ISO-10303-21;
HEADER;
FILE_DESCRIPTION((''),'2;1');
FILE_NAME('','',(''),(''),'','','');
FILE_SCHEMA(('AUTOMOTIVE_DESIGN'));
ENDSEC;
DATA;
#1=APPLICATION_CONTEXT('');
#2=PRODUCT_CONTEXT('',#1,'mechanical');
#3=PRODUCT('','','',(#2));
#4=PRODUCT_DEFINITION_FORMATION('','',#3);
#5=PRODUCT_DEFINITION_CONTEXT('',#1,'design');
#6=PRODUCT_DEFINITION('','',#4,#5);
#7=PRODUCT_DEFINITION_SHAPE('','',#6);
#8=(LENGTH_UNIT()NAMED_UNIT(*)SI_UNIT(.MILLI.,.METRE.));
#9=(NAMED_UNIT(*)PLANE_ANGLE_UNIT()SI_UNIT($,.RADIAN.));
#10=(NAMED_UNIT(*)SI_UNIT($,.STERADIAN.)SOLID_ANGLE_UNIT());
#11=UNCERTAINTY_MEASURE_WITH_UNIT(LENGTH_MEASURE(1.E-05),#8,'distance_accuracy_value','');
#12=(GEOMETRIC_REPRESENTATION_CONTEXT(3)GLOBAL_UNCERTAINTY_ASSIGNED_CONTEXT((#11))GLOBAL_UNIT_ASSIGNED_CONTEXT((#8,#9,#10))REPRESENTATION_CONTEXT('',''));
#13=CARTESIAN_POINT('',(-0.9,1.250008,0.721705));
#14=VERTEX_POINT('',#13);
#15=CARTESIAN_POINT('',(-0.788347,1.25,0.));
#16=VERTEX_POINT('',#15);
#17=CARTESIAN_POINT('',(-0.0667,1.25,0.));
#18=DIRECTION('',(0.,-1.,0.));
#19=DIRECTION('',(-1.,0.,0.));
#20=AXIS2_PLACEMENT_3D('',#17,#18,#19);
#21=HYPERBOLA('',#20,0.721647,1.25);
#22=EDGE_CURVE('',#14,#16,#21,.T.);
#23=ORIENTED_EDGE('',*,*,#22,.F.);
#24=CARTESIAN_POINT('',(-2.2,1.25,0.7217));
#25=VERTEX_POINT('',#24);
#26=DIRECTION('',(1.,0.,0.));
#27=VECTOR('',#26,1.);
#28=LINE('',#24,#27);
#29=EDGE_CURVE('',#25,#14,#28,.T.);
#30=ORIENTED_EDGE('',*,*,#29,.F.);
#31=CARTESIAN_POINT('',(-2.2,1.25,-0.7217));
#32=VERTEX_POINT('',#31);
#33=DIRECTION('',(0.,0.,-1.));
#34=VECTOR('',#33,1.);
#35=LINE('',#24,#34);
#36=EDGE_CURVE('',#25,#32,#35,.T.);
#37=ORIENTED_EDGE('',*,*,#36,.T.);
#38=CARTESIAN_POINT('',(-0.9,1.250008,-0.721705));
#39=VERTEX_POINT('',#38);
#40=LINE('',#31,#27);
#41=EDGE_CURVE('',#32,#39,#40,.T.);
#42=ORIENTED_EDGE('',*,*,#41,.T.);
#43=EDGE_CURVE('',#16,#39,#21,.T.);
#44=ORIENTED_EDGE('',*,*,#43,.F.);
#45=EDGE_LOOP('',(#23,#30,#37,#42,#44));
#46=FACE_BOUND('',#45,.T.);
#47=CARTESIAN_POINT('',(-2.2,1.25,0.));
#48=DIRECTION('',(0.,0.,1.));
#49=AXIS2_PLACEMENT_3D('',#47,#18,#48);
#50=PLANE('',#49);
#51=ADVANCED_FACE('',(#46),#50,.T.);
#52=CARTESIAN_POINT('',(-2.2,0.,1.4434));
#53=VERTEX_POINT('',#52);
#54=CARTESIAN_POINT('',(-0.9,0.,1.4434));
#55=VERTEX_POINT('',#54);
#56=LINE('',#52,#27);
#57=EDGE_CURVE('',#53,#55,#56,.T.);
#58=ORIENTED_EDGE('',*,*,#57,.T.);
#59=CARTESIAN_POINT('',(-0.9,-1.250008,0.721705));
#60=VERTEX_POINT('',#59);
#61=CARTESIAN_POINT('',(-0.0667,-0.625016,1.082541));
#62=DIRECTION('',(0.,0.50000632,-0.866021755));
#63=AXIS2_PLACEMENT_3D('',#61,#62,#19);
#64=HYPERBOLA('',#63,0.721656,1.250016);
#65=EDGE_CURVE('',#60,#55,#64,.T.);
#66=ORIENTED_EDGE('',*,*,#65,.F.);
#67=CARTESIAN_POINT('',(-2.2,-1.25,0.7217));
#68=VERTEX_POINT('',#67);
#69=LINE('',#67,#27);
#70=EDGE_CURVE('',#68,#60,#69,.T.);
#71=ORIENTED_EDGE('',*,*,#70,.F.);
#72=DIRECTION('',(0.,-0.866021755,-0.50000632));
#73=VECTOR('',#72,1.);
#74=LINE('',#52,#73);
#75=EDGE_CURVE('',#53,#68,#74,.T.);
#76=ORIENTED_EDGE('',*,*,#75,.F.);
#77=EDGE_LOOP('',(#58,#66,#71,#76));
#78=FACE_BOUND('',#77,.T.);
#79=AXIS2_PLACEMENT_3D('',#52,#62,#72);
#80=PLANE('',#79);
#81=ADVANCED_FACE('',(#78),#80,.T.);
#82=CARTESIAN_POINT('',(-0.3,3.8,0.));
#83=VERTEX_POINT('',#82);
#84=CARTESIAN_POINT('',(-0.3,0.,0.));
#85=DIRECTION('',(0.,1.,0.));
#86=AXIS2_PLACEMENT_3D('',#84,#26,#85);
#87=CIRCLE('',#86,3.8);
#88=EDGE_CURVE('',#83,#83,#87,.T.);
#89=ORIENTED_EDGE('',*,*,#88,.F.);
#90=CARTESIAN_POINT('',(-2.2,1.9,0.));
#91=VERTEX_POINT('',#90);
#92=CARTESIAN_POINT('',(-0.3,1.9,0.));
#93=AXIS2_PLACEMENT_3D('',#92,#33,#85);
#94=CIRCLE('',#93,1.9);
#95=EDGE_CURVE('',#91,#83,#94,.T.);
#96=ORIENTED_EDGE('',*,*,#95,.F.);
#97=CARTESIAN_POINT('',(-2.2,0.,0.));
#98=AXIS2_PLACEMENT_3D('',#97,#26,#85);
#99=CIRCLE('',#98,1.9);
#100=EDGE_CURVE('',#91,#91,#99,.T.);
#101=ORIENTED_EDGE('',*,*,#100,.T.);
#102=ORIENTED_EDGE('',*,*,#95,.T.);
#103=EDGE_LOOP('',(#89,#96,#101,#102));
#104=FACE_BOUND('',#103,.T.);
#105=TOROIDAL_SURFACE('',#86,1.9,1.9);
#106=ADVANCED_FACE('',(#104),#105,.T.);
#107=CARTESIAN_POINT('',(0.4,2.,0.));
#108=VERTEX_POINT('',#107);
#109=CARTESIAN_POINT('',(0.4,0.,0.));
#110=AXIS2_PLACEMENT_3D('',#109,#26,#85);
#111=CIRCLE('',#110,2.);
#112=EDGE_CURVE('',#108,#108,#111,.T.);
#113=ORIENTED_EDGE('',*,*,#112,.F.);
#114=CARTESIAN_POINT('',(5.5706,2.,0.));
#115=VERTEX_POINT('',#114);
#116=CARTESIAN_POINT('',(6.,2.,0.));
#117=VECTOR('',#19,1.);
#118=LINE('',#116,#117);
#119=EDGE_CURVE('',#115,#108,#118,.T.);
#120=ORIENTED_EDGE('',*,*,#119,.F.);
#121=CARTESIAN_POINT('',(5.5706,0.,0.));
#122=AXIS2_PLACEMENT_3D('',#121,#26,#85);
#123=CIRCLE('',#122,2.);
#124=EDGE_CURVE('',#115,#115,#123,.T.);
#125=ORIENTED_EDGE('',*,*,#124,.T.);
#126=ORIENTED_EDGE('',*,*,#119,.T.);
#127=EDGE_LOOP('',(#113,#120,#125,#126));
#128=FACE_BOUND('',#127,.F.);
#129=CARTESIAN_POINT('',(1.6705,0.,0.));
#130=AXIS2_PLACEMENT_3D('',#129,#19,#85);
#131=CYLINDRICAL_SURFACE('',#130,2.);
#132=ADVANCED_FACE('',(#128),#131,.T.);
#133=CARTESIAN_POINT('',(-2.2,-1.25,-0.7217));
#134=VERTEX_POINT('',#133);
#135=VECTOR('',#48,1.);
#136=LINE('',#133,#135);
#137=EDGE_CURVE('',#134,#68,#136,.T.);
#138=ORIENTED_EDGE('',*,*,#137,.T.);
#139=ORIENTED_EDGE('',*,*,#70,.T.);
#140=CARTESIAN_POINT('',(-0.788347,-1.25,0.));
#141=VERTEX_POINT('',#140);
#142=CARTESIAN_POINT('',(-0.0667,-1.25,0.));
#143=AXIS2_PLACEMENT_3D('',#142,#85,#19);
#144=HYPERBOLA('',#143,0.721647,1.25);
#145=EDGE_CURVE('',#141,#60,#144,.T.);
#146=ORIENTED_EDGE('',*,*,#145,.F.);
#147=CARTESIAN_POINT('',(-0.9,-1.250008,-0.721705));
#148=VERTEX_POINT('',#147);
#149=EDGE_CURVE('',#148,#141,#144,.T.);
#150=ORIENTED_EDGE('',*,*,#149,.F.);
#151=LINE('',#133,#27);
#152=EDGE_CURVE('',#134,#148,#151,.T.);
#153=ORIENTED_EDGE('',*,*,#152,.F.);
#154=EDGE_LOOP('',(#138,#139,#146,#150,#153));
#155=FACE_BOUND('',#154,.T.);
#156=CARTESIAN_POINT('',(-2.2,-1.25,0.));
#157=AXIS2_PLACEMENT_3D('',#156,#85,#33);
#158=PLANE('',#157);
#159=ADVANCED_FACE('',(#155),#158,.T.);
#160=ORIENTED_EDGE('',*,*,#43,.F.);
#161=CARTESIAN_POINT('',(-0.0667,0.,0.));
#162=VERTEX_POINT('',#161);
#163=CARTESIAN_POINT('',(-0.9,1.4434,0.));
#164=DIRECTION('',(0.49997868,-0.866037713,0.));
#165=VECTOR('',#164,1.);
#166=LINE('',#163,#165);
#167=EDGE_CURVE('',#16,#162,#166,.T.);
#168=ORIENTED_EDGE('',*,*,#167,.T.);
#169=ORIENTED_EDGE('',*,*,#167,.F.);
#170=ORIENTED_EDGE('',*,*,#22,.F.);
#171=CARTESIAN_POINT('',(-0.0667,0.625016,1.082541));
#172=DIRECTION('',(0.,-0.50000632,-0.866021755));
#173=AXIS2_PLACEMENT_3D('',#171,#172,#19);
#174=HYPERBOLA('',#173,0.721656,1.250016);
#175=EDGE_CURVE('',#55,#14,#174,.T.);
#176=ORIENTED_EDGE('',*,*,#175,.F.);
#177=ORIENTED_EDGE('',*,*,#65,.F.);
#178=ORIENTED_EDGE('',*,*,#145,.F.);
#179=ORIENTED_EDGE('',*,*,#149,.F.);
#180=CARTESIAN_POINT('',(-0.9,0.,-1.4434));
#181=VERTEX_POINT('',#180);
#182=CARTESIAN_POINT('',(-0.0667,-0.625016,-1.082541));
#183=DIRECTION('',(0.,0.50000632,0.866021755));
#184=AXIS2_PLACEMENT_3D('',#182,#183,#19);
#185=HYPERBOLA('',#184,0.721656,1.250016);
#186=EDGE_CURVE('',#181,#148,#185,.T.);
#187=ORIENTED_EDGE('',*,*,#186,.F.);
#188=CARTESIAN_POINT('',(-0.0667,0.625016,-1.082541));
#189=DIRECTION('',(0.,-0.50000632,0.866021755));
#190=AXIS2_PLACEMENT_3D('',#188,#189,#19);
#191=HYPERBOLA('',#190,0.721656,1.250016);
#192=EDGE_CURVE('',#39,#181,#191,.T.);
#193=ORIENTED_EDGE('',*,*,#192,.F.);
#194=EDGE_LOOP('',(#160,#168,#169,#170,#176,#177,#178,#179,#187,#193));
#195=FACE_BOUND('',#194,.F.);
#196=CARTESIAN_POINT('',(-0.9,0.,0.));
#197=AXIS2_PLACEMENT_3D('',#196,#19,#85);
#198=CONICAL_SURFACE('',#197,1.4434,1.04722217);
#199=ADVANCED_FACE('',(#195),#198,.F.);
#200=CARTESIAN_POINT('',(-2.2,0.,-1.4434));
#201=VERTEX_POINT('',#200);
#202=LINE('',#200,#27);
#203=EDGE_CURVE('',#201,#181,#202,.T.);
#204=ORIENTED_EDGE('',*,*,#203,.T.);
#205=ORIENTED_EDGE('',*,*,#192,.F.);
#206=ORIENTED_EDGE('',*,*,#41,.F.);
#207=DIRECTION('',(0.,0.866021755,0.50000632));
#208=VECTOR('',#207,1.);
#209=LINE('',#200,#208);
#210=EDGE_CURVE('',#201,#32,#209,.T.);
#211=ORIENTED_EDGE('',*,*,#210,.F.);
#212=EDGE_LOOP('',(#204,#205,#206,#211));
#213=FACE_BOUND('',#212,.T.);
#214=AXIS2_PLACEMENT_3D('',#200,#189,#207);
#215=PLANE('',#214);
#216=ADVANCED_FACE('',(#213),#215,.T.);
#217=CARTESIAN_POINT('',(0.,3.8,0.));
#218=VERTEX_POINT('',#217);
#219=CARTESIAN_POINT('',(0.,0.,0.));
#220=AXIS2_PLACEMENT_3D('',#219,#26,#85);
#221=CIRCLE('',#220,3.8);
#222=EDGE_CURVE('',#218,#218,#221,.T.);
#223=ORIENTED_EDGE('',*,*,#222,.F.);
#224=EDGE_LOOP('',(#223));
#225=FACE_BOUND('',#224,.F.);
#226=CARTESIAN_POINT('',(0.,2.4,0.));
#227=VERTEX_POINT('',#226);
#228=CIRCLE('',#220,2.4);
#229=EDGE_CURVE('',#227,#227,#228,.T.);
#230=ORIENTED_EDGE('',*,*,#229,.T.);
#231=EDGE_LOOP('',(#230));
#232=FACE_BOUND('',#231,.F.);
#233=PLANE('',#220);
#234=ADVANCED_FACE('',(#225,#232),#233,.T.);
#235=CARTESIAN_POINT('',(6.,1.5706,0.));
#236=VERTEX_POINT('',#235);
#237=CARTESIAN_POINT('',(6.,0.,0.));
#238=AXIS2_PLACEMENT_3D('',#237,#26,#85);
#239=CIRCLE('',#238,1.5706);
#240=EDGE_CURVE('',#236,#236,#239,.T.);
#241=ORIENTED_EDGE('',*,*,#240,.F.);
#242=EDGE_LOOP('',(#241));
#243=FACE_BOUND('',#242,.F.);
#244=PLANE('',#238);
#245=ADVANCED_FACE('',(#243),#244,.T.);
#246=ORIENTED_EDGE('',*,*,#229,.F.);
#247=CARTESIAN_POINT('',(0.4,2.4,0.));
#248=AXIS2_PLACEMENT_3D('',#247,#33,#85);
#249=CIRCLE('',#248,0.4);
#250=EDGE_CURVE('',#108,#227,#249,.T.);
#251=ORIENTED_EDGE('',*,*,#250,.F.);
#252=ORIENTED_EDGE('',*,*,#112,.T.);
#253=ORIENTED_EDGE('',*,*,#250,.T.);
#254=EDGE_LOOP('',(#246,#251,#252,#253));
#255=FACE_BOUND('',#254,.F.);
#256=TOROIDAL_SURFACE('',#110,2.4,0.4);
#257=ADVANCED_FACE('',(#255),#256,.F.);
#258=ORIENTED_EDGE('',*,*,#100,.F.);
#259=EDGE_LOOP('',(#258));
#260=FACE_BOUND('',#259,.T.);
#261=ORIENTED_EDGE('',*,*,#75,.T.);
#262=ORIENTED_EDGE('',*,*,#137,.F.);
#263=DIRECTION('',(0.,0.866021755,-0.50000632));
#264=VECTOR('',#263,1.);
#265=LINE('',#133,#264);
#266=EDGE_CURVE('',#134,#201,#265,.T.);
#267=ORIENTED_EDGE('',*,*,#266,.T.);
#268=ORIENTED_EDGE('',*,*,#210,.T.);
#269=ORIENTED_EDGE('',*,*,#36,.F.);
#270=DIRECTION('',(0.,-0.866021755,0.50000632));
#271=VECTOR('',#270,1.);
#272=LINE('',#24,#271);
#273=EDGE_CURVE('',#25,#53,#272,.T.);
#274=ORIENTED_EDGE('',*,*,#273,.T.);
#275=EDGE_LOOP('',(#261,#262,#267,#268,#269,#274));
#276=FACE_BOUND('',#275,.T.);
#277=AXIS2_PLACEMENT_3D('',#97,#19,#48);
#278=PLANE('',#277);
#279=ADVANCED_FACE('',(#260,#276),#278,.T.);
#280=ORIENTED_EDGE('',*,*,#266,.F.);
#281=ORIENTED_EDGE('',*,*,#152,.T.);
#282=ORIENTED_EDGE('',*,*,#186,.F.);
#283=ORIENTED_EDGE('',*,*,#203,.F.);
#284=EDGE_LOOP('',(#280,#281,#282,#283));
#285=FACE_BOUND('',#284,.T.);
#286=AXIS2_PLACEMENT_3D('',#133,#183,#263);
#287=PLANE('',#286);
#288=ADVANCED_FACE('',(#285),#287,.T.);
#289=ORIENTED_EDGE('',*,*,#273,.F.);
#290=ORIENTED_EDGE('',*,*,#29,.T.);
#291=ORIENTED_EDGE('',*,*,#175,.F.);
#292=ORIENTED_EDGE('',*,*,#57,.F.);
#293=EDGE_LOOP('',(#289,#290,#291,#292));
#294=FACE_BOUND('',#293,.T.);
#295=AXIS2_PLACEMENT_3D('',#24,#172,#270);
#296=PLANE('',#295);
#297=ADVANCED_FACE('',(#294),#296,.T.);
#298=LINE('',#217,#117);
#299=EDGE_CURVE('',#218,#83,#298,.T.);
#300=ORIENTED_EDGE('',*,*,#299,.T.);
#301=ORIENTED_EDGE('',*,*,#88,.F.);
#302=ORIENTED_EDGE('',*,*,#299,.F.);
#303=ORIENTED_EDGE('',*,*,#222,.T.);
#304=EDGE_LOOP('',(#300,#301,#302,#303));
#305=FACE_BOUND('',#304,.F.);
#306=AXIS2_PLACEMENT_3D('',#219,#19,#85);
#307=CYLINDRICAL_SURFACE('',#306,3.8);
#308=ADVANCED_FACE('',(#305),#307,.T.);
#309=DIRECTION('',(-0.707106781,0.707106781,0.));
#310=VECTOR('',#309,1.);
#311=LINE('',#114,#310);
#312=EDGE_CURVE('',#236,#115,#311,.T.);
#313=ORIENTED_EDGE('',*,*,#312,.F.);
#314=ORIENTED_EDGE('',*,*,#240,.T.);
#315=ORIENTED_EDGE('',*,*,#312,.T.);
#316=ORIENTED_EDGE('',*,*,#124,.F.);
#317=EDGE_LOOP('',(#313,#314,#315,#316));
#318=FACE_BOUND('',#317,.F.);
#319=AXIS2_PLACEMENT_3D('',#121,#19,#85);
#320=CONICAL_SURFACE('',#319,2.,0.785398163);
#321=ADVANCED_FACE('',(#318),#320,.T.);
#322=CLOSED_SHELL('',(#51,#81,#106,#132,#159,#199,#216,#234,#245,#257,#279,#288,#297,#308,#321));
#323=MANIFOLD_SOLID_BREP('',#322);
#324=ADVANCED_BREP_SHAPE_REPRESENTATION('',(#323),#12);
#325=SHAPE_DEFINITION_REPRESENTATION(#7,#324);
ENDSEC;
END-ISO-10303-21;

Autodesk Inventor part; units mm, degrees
ref_plane "YZ Plane" through (0, 0, 0) normal (1, 0, 0) x (0, 1, 0)
ref_plane "XZ Plane" through (0, 0, 0) normal (0, 1, 0) x (-1, 0, 0)
sketch "Sketch1" plane through (0, 0, 0) normal (0, 0, 1) x (1, 0, 0)
  line L0 (-0.0667, 0) -> (6, 0)
  line L1 (6, 0) -> (6, 2)
  line L2 (6, 2) -> (2.1, 2)
  line L3 (2.1, 2) -> (1.6705, 2)
  line L4 (1.6705, 2) -> (0, 2)
  line L5 (0, 2) -> (0, 3.8)
  line L6 (0, 3.8) -> (-2.2, 3.8)
  line L7 (-2.2, 3.8) -> (-2.2, 1.4434)
  line L8 (-2.2, 1.4434) -> (-0.9, 1.4434)
  line L9 (-0.9, 1.4434) -> (-0.0667, 0)
  line L10 (-3.84, 0) -> (7.64, 0) projected
  line L11 (0, -0.76) -> (0, 4.56) projected
  line L12 (2.1, 2) -> (0, 2) construction
  dimension "d1" = 3.9
  dimension "d2" = 0.4295
  dimension "d3" = 2.2
  dimension "d4" = 1.3
  dimension "d5" = 60
  dimension "d6" = 4
  dimension "d7" = 4
  dimension "d8" = 2.8868
  dimension "d9" = 7.6
  dimension "d26" = 6
revolve "Body" add sketch "Sketch1" angle 360 about axis through (-0.0667, 0, 0) along (1, 0, 0)
sketch "Sketch2" plane through (-2.2, 0, 0) normal (-1, 0, 0) x (0, 0, 1)
  circle A0 centre (0, 0) radius 1.4434 projected
  line L0 (0, -5.32) -> (0, 5.32) projected
  line L1 (-5.32, 0) -> (5.32, 0) projected
  line L2 (1.4434, 0) -> (0.7217, -1.25)
  line L3 (0.7217, -1.25) -> (-0.7217, -1.25)
  line L4 (-0.7217, -1.25) -> (-1.4434, 0)
  line L5 (-1.4434, 0) -> (-0.7217, 1.25)
  line L6 (-0.7217, 1.25) -> (0.7217, 1.25)
  line L7 (0.7217, 1.25) -> (1.4434, 0)
  point P0 (0, 0)
extrude "Slot" add sketch "Sketch2" against normal up to next contours L7 A0 | A0 L2 | L6 L0 A0 | A0 L0 L3 | L0 L6 A0 | A0 L3 L0 | L4 A0 | A0 L5
fillet "Fillet1" radius 1.9 1 edges at (-2.2, -3.8, 0)
thread "Thread" size "M4x0.7" class "6g" standard "ISO Metric profile" length 3.9
chamfer "Chamfer1" distance 0.4294 distance2 0.4294 1 edges at (6, -2, 0) measured on face at (6, 0.556, 0.0273)
ref_plane "Work Plane1" through (29, 0, 0) normal (0, -1, 0) x (1, 0, 0)
fillet "Fillet2" radius 0.4 1 edges at (0, -2, 0)
equation "\"d1\" = GEL"
equation "\"d3\" = KOH"
equation "\"d4\" = INTI"
equation "\"d6\" = GD"
equation "\"d7\" = BDM"
equation "\"d8\" = 1.1547 * SW"
equation "\"d9\" = KOD"
equation "\"d26\" = NLG"
equation "\"d30\" = R"
equation "\"d17\" = RR"
equation "\"d13\" = GEL"
equation "\"d15\" = -0.5 * SPD + 0.5 * GD"
equation "\"d16\" = GUL"
equation "\"GD\" = NND"
equation "\"NLG\" = 6"
equation "\"GEL\" = 3.9"
equation "\"KOD\" = 7.6"
equation "\"KOH\" = 2.2"
equation "\"INTI\" = 1.3"
equation "\"GAL\" = 0.61345 * PTC"
equation "\"GUL\" = 0.61345 * PTC"
equation "\"BDM\" = NND"
equation "\"SW\" = 2.5"
equation "\"RR\" = 1.9"
equation "\"SPD\" = NND - 1.2269 * PTC"
equation "\"R\" = 0.4"
equation "\"TOA\" = 30deg"
equation "\"GD1\" = THREADDIA - 1.2269 * PTC"
equation "\"THREADDIA\" = 4"
equation "\"PTC\" = 0.7"
equation "\"NND\" = 4"
equation "\"KOH1\" = 0.3"
equation "\"E0\" = 2.873"
properties part number "ISO 7380-1 - M4 x 6" material "Steel"
